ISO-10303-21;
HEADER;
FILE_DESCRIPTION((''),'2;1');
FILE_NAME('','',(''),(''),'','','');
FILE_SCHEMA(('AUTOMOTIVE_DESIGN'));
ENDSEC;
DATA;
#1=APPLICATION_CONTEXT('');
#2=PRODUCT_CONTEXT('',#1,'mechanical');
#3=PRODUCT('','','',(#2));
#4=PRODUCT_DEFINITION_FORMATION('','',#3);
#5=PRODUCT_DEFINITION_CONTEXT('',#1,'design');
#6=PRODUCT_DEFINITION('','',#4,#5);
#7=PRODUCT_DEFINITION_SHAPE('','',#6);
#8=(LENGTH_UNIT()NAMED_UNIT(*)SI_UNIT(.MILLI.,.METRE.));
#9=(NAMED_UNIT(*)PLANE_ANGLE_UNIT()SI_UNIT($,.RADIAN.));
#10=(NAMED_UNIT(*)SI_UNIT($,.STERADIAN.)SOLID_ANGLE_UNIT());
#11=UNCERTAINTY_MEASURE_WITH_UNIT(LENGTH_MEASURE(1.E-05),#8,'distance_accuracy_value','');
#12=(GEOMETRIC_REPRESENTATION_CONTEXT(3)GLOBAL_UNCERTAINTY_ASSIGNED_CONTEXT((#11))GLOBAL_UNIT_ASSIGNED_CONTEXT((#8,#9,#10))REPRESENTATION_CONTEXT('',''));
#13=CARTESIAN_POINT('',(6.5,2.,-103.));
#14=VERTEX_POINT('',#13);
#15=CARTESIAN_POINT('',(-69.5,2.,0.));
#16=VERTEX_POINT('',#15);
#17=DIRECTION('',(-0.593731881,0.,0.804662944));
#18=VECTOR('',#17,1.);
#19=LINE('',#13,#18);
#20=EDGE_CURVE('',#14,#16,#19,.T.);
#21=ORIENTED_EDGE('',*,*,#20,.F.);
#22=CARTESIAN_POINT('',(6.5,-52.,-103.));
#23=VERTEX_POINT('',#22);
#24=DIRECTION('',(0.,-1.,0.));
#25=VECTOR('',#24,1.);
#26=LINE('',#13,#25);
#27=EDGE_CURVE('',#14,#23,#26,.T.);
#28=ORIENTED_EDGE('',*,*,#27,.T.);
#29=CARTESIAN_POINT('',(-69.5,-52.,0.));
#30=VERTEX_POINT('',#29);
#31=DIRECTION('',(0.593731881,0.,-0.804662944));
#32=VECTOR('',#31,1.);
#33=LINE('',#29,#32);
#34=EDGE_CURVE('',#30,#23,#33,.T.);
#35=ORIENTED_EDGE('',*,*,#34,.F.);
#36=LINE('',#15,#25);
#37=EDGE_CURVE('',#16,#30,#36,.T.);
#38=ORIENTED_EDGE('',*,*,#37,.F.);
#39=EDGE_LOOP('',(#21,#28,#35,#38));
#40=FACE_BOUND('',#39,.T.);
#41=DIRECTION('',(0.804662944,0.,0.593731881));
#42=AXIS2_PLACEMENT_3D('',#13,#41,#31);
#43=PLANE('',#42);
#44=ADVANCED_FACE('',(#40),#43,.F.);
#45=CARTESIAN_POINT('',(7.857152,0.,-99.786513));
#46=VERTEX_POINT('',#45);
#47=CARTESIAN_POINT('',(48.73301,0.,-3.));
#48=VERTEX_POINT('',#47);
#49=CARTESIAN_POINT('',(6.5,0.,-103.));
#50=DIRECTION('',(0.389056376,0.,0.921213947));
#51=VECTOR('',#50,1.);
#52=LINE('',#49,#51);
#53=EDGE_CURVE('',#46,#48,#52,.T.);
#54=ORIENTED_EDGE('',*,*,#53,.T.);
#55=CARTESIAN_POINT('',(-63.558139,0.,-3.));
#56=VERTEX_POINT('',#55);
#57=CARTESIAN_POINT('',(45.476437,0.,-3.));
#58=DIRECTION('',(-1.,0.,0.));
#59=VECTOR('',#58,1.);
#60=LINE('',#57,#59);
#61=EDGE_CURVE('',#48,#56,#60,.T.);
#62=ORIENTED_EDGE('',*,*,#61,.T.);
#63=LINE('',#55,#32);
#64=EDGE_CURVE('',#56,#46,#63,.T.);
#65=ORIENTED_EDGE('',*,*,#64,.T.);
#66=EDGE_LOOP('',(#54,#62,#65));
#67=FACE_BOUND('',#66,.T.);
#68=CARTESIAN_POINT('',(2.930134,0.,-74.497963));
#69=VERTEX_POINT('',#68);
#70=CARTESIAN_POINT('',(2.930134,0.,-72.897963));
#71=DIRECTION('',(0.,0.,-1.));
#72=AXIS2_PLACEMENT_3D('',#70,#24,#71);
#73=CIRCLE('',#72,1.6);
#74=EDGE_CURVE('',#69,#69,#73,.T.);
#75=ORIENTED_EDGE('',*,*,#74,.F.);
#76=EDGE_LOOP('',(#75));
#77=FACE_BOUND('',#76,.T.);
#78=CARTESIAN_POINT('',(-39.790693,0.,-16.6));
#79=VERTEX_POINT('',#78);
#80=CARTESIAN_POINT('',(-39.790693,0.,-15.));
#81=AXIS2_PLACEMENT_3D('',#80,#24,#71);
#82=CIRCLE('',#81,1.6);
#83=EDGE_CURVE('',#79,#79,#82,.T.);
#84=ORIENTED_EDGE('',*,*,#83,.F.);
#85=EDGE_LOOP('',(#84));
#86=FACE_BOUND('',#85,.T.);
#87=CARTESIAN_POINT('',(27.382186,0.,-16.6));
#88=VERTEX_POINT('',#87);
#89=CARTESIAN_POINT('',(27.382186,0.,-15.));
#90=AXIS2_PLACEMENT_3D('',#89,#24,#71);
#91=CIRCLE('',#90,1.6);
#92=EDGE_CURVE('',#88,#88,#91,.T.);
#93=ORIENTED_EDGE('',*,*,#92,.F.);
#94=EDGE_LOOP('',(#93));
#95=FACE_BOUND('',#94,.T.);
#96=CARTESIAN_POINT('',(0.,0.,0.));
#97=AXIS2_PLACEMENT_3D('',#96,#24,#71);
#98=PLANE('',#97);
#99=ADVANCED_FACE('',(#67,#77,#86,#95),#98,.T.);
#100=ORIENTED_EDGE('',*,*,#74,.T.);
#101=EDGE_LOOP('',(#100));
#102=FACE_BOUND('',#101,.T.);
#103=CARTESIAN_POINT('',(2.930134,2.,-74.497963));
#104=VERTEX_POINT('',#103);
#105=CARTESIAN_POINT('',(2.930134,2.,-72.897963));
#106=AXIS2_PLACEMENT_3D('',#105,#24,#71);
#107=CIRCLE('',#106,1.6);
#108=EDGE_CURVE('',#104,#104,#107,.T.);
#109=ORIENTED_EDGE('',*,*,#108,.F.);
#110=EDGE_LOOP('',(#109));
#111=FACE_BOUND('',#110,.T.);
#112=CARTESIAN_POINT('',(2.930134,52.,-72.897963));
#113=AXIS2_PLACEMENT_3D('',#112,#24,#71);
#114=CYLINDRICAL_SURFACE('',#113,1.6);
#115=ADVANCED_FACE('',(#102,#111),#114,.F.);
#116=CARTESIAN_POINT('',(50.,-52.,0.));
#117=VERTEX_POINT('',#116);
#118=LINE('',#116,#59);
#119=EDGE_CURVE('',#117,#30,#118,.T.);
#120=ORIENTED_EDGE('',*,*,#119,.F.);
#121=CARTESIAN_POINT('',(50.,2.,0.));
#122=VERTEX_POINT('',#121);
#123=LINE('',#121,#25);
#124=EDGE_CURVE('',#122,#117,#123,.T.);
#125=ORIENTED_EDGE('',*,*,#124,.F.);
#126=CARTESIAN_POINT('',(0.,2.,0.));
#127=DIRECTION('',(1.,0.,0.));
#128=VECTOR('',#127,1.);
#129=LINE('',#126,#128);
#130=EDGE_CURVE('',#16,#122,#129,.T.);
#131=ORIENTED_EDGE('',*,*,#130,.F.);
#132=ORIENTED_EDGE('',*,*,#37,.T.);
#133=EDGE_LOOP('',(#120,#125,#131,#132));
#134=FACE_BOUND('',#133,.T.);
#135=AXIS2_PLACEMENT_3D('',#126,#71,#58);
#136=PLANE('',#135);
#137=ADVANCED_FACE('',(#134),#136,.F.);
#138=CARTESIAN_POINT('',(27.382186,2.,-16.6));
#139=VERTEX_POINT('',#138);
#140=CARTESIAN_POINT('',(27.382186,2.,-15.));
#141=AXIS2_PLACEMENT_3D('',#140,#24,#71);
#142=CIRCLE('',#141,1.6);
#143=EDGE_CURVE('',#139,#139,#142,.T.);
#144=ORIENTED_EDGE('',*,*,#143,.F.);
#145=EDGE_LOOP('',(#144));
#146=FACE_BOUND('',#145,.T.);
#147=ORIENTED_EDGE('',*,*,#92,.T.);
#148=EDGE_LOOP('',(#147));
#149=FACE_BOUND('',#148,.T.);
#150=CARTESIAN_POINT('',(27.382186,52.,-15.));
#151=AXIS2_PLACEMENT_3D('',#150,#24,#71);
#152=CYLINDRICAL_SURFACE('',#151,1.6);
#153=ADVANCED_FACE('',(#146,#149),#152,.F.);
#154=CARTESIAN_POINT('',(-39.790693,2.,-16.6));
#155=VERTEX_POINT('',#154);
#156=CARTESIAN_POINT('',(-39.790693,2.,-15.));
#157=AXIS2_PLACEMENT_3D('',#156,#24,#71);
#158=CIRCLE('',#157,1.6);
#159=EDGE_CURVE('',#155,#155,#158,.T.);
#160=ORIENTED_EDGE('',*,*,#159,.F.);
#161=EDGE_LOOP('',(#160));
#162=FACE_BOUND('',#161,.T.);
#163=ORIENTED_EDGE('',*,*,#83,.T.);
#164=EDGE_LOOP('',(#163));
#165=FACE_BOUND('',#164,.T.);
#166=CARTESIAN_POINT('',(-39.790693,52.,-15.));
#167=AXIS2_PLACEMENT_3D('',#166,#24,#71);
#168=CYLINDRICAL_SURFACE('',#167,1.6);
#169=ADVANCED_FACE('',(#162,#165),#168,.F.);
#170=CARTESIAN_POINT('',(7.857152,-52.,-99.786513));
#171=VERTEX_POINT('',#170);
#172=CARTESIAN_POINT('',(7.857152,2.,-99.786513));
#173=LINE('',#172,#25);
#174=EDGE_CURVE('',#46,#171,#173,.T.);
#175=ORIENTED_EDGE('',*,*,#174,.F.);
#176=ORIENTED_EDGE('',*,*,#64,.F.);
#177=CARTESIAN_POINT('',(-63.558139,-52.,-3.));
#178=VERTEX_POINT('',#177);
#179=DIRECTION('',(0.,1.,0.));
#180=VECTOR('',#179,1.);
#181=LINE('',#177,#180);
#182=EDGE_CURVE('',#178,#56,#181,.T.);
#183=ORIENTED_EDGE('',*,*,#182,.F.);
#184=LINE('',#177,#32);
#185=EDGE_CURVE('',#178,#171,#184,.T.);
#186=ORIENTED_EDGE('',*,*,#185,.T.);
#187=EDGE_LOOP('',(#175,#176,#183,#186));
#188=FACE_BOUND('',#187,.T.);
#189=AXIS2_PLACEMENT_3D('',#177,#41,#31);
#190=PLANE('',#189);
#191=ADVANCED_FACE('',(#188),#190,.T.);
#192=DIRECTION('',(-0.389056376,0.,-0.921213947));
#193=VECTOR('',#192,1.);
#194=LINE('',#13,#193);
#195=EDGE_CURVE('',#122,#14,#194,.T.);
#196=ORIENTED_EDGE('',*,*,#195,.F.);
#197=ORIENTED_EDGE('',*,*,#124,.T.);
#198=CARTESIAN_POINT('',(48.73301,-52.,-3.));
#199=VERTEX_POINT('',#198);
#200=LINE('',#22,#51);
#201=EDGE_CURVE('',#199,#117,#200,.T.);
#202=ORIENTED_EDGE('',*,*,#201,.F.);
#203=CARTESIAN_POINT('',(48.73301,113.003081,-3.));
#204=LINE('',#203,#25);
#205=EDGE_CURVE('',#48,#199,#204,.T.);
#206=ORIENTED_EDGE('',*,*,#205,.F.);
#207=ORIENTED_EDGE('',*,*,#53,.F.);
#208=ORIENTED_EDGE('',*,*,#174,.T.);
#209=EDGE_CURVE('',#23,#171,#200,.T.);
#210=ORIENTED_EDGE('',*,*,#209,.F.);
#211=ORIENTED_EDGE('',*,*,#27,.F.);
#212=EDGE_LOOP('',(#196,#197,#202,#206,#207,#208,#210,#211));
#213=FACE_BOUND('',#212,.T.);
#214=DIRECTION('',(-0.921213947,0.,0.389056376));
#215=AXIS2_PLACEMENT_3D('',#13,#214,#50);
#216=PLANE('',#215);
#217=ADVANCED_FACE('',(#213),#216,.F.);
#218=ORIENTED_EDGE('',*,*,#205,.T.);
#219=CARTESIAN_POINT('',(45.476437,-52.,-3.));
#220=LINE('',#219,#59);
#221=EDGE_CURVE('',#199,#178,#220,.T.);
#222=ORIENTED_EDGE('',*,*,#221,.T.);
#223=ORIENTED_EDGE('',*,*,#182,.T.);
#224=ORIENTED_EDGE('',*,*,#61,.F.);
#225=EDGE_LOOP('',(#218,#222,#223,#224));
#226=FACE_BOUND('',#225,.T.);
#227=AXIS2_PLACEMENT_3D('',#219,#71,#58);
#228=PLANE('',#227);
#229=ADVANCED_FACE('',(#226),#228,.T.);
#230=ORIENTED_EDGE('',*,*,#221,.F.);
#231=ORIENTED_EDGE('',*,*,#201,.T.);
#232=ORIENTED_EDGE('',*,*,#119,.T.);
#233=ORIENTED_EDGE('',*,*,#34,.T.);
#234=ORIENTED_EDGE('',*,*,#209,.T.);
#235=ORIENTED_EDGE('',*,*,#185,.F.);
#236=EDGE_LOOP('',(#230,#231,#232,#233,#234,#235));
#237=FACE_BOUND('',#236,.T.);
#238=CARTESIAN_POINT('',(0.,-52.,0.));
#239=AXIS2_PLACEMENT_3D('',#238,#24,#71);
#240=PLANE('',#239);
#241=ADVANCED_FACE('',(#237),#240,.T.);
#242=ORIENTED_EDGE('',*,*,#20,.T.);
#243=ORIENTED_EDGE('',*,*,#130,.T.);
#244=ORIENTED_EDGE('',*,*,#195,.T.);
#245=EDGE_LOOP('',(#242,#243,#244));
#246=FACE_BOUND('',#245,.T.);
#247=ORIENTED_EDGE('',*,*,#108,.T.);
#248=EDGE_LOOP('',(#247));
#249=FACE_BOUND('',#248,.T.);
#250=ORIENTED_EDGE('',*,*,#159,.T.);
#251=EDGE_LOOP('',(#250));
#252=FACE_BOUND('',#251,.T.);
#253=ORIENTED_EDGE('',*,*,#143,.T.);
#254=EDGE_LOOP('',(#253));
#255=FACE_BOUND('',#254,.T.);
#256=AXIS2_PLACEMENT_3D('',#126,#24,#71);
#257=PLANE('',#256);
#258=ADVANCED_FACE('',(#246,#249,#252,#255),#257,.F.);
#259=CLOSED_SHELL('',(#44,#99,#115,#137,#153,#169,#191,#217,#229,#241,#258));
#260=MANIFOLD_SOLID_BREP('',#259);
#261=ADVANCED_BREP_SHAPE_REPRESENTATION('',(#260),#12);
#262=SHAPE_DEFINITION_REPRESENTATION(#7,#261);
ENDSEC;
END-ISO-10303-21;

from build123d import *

# Parameters (mm, degrees)
BOSS_EXTRUDE1_DEPTH = 2
BOSS_EXTRUDE2_DEPTH = 52
SKETCH4_R           = 1.6
CUT_EXTRUDE3_DEPTH  = 52
CUT_EXTRUDE4_DEPTH  = 52


with BuildPart() as part:
    # Sketch1 → Boss-Extrude1 (new body)
    with BuildSketch(Plane(origin=(0, 0, 0), x_dir=(1, 0, 0), z_dir=(0, 1, 0))):
        Polygon((0, 0), (-69.5, 0), (6.5, 103), (50, 0), (40, 0), align=None)
    extrude(amount=BOSS_EXTRUDE1_DEPTH)

    # Sketch2 → Boss-Extrude2 (add)
    with BuildSketch(Plane.XZ):
        Polygon((50, 0), (-69.5, 0), (6.5, -103), align=None)
        Polygon((5.786026753, -96.979592592), (45.476437216, -3), (-63.558138655, -3), align=None, mode=Mode.SUBTRACT)
    extrude(amount=BOSS_EXTRUDE2_DEPTH)

    # Sketch4 → Cut-Extrude3 (cut)
    with BuildSketch(Plane.XZ):
        with Locations((-39.790693273, -15)):
            Circle(SKETCH4_R)
        with Locations((27.382186082, -15)):
            Circle(SKETCH4_R)
        with Locations((2.930133764, -72.897962959)):
            Circle(SKETCH4_R)
    extrude(amount=-CUT_EXTRUDE3_DEPTH, mode=Mode.SUBTRACT)

    # Sketch6 → Cut-Extrude4 (cut)
    with BuildSketch(Plane.XZ.offset(52)):
        Polygon((5.786026753, -96.979592592), (13.566318251, -107.523935016), (48.733009709, -3), (45.476437216, -3), align=None)
    extrude(amount=-CUT_EXTRUDE4_DEPTH, mode=Mode.SUBTRACT)


solid = part.part
